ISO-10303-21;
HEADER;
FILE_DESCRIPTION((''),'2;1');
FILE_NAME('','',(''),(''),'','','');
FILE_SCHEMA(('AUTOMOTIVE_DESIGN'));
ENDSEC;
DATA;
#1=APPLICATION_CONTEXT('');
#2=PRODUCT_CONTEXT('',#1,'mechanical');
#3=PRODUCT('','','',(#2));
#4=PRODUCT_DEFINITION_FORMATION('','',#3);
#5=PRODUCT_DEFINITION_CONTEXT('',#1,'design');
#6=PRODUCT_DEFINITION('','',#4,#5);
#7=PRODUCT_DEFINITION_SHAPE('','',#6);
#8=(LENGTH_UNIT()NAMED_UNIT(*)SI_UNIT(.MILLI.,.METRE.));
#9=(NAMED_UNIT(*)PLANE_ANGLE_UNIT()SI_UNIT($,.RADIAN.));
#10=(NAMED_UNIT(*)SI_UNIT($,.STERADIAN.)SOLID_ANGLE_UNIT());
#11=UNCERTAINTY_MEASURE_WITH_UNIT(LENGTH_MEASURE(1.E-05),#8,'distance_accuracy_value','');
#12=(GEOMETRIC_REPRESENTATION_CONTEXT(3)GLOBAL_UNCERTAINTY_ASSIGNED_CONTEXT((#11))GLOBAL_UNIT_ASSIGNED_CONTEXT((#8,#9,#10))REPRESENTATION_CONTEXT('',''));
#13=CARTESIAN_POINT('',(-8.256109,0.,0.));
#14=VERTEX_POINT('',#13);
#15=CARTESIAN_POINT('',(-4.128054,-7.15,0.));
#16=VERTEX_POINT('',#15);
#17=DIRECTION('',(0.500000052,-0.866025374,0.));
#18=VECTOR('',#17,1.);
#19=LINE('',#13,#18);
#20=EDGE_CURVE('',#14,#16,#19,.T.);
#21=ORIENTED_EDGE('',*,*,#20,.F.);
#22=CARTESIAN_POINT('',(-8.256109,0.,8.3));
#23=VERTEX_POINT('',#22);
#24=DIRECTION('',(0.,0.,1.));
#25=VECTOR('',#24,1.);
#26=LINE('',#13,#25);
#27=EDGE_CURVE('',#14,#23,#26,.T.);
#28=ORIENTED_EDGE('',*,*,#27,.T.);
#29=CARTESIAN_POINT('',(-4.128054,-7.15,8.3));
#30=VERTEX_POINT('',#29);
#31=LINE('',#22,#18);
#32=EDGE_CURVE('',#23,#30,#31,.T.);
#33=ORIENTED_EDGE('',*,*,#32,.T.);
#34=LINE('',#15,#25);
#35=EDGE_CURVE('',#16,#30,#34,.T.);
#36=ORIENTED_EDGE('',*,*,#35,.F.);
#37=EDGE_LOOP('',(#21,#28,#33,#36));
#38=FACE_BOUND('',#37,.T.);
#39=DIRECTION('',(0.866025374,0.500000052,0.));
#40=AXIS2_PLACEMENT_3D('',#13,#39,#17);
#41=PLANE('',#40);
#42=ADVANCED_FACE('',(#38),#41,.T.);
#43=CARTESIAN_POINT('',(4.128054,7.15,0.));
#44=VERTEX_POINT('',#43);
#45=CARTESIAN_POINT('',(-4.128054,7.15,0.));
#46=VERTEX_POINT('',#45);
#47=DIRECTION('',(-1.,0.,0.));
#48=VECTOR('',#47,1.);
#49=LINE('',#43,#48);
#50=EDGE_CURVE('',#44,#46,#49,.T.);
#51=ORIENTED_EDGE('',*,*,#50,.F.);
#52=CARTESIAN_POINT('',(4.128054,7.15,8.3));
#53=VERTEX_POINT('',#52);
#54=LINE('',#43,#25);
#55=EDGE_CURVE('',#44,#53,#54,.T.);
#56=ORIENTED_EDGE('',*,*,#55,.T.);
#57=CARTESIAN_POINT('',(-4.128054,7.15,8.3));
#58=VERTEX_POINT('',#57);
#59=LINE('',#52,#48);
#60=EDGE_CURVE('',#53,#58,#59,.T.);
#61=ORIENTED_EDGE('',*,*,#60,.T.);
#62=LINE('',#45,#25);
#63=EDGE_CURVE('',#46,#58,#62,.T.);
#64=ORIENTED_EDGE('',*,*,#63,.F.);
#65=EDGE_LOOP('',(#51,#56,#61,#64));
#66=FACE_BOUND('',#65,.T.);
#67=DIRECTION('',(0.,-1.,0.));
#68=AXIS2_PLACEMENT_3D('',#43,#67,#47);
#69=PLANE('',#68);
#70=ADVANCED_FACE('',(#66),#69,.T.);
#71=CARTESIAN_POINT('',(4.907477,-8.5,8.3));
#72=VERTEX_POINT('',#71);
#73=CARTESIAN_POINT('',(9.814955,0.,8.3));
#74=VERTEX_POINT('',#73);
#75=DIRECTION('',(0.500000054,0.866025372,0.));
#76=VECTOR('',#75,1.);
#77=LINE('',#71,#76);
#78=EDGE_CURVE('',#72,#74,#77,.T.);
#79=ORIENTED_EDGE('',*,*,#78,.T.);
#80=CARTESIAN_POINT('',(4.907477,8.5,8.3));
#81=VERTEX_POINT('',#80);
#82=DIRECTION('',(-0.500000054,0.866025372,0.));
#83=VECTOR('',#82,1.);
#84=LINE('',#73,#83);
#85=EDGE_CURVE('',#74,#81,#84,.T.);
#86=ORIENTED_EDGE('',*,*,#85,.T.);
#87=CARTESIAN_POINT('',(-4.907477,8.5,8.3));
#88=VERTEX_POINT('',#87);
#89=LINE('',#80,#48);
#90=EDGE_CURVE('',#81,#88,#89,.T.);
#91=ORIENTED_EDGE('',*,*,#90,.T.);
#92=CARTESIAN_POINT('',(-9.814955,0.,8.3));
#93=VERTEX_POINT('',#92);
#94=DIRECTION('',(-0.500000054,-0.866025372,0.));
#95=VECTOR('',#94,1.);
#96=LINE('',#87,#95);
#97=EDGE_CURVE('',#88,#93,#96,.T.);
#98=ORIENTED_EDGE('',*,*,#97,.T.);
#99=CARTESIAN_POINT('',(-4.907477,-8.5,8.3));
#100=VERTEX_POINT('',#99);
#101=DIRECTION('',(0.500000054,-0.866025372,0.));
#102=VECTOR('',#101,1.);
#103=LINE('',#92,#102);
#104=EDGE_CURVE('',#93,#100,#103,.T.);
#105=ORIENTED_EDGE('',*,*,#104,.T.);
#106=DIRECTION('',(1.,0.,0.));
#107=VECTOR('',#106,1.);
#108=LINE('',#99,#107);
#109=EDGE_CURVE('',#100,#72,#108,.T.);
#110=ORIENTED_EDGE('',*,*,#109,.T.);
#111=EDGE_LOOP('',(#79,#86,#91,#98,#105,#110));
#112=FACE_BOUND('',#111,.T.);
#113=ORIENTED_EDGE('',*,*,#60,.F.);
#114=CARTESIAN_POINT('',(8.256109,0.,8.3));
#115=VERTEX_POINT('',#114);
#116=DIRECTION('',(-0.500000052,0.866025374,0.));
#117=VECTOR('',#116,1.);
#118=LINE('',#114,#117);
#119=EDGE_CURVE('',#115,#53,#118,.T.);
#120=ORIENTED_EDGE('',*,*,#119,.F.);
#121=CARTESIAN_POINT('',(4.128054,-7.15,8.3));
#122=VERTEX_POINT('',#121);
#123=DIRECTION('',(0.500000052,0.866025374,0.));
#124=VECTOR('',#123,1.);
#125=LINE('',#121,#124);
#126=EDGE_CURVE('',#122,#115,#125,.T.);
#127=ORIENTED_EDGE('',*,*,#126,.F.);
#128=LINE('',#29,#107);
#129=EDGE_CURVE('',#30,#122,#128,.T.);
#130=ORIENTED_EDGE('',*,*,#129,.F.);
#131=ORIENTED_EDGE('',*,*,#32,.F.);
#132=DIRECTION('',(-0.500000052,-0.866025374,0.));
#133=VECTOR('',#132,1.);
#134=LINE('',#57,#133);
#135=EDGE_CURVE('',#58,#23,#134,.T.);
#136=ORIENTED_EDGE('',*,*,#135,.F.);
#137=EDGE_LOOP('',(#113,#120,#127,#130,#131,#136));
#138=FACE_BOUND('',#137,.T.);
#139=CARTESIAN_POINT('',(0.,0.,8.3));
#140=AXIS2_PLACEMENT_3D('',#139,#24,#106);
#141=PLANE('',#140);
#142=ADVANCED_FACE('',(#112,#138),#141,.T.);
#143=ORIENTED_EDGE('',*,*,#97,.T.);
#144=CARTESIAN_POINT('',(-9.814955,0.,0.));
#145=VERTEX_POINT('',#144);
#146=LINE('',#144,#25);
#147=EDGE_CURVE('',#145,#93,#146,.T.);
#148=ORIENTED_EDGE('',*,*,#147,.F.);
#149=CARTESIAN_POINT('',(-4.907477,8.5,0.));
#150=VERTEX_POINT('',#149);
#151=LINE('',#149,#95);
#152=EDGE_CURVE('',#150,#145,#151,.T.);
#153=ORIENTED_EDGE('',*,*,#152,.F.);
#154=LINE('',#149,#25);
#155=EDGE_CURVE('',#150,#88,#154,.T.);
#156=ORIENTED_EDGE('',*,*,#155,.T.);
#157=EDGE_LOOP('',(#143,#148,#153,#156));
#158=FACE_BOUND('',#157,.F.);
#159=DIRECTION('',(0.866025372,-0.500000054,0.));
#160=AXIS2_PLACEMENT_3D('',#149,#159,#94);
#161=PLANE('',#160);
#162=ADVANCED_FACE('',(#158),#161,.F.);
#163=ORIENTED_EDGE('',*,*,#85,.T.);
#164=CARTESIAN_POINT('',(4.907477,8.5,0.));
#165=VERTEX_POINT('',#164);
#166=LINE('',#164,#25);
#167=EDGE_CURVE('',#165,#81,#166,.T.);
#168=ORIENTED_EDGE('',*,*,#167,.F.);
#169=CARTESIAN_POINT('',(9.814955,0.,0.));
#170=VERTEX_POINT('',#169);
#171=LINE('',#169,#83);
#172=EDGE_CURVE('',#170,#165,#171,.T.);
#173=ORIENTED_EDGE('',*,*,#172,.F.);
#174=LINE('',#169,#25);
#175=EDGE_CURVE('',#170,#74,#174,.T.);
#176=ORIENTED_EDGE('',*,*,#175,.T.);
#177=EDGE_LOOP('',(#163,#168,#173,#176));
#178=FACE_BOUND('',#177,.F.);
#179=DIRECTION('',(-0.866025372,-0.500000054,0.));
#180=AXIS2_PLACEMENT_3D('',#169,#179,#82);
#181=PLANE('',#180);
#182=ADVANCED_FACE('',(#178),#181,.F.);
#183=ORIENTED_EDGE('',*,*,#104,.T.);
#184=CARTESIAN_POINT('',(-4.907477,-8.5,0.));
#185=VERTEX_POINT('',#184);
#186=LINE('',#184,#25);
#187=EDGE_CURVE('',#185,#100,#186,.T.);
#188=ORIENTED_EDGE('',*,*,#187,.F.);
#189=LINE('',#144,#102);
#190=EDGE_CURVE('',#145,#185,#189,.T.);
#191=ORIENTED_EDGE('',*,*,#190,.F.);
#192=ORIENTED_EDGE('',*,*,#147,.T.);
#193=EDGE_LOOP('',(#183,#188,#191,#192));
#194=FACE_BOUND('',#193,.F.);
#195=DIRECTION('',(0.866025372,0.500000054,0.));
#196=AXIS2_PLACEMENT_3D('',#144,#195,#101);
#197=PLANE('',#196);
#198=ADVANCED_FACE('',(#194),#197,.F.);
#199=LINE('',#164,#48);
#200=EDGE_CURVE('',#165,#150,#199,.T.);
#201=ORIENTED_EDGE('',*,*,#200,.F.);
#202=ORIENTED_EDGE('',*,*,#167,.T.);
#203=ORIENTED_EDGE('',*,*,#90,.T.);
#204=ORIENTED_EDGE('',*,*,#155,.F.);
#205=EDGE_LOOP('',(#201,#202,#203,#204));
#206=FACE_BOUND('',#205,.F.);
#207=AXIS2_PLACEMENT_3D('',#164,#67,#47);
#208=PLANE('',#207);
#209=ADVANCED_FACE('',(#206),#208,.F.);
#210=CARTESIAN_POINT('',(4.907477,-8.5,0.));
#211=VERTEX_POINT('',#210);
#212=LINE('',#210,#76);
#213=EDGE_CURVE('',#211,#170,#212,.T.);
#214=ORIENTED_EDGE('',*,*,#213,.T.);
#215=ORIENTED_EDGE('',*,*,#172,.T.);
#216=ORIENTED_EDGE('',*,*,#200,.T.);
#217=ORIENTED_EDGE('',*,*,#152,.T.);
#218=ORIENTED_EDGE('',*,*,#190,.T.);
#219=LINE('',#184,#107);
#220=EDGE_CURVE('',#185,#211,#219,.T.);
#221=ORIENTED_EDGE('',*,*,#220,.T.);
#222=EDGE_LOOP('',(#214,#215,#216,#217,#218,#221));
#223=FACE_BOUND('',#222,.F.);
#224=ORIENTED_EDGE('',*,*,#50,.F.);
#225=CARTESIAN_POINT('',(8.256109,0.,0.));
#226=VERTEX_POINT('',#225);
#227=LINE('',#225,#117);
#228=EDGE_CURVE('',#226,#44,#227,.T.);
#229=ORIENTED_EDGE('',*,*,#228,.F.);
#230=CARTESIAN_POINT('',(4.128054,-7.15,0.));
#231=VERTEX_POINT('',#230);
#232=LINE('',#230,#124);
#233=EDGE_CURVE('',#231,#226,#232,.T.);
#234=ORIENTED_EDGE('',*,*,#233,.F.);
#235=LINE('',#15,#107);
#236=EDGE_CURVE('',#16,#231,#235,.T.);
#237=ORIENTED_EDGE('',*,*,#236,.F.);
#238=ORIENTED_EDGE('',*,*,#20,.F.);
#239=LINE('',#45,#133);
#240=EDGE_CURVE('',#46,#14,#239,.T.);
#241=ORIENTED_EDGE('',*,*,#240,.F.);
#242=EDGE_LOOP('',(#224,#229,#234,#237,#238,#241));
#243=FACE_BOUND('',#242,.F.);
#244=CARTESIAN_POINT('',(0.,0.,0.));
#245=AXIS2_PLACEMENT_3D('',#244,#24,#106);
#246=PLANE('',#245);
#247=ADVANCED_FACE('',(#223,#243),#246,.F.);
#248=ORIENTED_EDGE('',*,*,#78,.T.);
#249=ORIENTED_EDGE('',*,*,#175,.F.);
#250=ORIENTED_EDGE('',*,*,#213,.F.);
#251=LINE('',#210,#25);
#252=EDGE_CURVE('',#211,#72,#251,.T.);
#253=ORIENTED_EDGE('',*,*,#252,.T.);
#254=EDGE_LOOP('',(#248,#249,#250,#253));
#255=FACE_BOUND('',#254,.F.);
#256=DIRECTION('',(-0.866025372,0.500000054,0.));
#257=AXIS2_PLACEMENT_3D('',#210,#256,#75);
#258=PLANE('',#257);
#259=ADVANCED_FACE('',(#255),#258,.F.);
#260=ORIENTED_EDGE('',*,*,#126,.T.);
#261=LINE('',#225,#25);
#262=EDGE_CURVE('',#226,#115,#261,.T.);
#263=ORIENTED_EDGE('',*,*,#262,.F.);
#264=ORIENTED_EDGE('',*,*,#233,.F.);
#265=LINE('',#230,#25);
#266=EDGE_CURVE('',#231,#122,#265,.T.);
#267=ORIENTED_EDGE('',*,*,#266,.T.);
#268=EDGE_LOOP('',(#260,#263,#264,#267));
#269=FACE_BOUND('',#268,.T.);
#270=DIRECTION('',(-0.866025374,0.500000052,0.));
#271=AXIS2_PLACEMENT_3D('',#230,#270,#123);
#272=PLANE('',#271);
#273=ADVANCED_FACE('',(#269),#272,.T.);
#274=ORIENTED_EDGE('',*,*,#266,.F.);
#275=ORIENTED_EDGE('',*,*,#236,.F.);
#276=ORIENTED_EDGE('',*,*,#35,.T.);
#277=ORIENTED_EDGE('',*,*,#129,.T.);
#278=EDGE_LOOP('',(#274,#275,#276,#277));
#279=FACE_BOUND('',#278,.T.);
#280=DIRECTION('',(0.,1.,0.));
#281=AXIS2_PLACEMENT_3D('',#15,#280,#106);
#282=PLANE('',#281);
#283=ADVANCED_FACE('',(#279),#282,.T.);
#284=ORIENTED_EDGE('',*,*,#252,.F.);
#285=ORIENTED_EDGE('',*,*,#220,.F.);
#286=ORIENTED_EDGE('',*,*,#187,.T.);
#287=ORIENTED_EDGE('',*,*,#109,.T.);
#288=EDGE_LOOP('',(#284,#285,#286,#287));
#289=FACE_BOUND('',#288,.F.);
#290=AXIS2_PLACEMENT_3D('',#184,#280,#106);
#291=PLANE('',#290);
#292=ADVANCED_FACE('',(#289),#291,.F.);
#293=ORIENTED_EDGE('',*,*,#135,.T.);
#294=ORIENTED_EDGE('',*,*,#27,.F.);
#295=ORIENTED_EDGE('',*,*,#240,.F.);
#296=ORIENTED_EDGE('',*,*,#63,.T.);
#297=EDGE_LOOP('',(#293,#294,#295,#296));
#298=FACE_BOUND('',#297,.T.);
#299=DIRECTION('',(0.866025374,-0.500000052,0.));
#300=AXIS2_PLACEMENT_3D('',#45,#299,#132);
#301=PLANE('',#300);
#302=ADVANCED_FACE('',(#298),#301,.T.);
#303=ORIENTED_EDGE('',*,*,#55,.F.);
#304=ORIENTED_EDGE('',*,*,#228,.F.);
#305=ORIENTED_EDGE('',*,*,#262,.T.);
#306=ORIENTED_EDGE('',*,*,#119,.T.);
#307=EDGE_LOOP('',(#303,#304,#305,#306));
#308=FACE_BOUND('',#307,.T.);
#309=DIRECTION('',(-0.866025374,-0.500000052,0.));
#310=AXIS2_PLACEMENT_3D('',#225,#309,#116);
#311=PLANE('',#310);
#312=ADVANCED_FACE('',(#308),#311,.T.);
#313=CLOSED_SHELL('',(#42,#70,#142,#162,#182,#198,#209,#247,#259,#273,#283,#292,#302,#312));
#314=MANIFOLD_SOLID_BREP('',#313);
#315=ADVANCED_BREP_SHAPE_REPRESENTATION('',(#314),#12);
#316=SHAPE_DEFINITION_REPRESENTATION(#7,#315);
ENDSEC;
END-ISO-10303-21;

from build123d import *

# Parameters (mm, degrees)
PAD_DEPTH = 8.3


with BuildPart() as part:
    # Sketch → Pad (new body)
    with BuildSketch(Plane.XY):
        Polygon((-4.907477, 8.5), (-9.814955, 0), (-4.907477, -8.5), (4.907477, -8.5), (9.814955, 0), (4.907477, 8.5), align=None)
        Polygon((-4.128054, -7.15), (4.128054, -7.15), (8.256109, 0), (4.128054, 7.15), (-4.128054, 7.15), (-8.256109, 0), align=None, mode=Mode.SUBTRACT)
    extrude(amount=PAD_DEPTH)


solid = part.part
